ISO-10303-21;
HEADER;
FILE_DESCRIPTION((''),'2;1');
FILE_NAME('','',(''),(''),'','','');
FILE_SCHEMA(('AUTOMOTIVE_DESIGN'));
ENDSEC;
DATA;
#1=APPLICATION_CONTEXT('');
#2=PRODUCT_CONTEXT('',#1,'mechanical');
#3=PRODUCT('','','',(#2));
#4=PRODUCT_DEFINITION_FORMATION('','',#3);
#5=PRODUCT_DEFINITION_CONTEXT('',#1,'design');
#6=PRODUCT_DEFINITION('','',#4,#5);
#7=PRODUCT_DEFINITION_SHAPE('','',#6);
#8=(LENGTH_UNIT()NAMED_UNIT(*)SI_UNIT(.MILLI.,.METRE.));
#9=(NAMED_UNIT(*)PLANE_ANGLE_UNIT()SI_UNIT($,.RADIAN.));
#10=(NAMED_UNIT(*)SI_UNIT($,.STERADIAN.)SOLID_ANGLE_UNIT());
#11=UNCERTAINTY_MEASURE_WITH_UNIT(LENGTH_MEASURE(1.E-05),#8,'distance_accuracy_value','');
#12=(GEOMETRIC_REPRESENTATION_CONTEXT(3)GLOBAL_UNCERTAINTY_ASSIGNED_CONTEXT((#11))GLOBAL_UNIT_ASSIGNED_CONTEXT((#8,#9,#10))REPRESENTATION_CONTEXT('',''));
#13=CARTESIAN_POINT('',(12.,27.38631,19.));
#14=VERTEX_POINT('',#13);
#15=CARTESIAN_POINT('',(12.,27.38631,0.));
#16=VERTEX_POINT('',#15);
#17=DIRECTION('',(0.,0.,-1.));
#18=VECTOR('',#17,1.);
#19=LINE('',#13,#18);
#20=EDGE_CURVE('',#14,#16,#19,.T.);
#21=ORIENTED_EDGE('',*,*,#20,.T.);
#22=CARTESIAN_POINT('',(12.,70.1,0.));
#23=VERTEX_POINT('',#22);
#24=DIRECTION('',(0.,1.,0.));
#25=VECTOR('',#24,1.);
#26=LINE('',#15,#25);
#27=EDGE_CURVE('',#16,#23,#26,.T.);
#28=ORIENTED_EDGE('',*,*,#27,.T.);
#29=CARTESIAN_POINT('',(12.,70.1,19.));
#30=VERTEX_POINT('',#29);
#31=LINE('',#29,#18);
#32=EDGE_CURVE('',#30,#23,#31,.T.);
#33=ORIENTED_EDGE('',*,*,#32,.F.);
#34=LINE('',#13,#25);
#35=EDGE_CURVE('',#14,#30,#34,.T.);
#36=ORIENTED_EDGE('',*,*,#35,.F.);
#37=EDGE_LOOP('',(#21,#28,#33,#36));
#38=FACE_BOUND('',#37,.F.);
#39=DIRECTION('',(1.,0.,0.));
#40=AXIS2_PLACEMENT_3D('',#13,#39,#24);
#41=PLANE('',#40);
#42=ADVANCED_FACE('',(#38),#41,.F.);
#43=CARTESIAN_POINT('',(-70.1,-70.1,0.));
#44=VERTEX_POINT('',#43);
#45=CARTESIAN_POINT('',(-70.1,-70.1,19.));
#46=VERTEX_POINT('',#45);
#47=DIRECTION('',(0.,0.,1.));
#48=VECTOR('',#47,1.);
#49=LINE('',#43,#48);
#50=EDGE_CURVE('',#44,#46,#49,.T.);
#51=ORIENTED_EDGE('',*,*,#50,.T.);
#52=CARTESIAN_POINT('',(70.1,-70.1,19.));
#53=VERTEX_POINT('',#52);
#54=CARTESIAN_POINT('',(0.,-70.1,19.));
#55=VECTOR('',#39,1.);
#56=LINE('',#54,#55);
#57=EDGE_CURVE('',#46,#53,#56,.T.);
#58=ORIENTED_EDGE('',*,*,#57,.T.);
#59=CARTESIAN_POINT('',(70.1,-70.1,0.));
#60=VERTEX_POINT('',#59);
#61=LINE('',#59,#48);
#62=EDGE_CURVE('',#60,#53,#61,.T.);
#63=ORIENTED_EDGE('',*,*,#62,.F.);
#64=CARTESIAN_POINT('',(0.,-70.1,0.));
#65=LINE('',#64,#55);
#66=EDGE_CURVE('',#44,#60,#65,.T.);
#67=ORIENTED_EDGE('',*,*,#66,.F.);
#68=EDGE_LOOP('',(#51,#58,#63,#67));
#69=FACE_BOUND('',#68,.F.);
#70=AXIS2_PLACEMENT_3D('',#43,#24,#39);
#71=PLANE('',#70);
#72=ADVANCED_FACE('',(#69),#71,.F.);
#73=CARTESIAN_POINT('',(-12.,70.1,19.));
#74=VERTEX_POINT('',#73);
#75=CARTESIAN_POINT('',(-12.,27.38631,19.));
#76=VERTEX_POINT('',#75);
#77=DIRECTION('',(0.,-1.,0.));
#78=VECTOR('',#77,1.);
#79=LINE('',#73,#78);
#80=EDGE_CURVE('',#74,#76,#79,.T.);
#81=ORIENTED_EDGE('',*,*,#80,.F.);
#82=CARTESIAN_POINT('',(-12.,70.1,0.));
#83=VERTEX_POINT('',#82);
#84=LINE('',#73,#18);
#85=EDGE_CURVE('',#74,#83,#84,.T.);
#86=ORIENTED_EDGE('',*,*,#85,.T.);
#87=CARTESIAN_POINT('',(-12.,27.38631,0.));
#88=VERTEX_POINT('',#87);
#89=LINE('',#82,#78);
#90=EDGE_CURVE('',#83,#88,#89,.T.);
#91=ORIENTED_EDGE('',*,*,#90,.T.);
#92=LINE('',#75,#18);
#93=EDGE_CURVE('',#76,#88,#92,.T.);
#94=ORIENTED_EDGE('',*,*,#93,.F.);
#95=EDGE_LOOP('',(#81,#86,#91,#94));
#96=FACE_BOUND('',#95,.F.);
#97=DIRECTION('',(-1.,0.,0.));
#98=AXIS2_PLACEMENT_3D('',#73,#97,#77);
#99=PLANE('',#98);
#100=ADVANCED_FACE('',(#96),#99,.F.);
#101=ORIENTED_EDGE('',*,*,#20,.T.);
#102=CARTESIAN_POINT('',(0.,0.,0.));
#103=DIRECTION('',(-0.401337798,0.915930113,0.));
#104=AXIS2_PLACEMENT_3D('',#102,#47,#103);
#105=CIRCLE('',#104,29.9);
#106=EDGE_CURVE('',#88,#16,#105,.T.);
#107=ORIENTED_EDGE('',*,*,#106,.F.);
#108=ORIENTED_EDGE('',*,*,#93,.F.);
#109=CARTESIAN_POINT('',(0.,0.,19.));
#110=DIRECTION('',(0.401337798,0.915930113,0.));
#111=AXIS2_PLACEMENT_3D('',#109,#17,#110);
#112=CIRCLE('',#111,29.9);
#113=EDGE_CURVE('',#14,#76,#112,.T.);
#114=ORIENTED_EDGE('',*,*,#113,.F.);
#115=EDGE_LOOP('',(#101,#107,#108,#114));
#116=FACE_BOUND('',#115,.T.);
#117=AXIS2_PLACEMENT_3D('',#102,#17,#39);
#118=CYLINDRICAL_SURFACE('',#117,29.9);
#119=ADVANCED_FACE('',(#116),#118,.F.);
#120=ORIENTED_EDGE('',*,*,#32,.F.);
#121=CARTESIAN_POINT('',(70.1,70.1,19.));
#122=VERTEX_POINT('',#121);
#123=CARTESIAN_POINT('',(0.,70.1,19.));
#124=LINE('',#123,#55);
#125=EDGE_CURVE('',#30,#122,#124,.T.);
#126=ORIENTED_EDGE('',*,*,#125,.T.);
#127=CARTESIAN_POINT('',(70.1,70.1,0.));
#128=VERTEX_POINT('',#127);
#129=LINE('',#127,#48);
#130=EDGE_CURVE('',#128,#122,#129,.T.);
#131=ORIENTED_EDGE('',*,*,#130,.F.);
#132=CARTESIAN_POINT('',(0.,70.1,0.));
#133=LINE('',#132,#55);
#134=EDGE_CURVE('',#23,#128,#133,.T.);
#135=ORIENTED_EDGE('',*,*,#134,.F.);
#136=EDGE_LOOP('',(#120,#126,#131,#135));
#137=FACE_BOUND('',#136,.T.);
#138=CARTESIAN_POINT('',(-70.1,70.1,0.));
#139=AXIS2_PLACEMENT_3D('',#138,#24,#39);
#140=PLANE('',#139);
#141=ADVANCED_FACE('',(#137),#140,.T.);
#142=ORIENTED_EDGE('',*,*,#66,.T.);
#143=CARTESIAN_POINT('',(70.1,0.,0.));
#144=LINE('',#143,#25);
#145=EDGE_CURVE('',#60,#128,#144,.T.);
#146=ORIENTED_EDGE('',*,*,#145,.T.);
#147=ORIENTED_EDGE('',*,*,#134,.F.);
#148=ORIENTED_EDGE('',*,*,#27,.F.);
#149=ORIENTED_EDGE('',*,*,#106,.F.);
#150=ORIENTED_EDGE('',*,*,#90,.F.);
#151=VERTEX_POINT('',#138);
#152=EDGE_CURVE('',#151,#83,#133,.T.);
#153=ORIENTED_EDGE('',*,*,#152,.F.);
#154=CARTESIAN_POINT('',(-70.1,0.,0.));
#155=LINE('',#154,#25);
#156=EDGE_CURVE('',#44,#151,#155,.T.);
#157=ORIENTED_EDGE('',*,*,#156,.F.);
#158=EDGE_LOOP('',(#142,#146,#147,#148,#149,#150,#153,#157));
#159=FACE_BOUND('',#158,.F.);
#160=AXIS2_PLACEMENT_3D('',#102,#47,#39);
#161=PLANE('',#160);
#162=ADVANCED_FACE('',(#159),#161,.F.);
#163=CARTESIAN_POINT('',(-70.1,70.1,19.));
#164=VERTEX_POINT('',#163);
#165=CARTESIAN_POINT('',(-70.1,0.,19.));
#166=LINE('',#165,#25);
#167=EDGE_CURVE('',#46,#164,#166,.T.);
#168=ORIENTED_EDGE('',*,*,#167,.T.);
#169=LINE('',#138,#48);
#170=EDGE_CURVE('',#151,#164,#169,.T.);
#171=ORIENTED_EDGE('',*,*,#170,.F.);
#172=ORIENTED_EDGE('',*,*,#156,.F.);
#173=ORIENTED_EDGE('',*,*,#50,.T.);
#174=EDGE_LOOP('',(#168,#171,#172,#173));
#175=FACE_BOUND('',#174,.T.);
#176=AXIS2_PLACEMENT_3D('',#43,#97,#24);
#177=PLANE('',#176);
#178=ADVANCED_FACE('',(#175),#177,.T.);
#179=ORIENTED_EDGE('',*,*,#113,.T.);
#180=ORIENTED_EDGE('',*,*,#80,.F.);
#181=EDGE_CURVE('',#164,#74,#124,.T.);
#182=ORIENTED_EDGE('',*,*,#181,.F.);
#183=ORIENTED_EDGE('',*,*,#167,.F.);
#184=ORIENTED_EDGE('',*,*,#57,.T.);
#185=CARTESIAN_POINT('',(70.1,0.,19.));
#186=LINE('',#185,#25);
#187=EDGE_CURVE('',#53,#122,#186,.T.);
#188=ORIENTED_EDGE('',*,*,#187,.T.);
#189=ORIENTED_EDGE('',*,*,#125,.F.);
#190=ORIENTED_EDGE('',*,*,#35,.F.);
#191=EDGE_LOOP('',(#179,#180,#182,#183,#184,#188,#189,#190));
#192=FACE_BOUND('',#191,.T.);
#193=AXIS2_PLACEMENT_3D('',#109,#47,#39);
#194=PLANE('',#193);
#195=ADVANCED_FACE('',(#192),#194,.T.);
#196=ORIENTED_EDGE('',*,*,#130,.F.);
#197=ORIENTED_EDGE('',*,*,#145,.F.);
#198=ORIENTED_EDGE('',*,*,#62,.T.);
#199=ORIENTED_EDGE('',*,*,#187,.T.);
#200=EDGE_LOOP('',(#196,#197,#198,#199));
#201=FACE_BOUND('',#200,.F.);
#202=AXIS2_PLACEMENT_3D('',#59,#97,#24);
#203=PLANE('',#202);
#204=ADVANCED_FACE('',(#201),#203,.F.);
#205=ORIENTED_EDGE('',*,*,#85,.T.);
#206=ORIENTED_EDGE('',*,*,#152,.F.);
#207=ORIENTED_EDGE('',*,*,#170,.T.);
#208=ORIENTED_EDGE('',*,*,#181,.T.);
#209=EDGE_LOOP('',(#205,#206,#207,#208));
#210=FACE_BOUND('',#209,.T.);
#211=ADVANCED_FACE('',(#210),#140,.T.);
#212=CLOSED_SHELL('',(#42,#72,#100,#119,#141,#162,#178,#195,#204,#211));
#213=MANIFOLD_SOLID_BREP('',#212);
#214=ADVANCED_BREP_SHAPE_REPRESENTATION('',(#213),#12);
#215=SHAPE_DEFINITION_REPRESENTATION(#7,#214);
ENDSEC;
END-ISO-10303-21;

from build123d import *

# Parameters (mm, degrees)
F0_W     = 140.2
F0_H     = 140.2
F0_R     = 29.9
F1_DEPTH = 19
F3_DEPTH = 19


with BuildPart() as f1:
    # F0 (on Top) → F1 (new body)
    with BuildSketch(Plane.XY):
        Rectangle(F0_W, F0_H)
        Circle(F0_R, mode=Mode.SUBTRACT)
    extrude(amount=F1_DEPTH)

    # F2 (on face) → F3 (cut)
    with BuildSketch(Plane.XY.offset(19)):
        with BuildLine():
            Line((12, 70.1), (-12, 70.1))
            Line((-12, 70.1), (-12, 27.38631))
            ThreePointArc((-12, 27.38631), (0, 29.9), (12, 27.38631))
            Line((12, 27.38631), (12, 70.1))
        make_face()
    extrude(amount=-F3_DEPTH, mode=Mode.SUBTRACT)


solid = f1.part
